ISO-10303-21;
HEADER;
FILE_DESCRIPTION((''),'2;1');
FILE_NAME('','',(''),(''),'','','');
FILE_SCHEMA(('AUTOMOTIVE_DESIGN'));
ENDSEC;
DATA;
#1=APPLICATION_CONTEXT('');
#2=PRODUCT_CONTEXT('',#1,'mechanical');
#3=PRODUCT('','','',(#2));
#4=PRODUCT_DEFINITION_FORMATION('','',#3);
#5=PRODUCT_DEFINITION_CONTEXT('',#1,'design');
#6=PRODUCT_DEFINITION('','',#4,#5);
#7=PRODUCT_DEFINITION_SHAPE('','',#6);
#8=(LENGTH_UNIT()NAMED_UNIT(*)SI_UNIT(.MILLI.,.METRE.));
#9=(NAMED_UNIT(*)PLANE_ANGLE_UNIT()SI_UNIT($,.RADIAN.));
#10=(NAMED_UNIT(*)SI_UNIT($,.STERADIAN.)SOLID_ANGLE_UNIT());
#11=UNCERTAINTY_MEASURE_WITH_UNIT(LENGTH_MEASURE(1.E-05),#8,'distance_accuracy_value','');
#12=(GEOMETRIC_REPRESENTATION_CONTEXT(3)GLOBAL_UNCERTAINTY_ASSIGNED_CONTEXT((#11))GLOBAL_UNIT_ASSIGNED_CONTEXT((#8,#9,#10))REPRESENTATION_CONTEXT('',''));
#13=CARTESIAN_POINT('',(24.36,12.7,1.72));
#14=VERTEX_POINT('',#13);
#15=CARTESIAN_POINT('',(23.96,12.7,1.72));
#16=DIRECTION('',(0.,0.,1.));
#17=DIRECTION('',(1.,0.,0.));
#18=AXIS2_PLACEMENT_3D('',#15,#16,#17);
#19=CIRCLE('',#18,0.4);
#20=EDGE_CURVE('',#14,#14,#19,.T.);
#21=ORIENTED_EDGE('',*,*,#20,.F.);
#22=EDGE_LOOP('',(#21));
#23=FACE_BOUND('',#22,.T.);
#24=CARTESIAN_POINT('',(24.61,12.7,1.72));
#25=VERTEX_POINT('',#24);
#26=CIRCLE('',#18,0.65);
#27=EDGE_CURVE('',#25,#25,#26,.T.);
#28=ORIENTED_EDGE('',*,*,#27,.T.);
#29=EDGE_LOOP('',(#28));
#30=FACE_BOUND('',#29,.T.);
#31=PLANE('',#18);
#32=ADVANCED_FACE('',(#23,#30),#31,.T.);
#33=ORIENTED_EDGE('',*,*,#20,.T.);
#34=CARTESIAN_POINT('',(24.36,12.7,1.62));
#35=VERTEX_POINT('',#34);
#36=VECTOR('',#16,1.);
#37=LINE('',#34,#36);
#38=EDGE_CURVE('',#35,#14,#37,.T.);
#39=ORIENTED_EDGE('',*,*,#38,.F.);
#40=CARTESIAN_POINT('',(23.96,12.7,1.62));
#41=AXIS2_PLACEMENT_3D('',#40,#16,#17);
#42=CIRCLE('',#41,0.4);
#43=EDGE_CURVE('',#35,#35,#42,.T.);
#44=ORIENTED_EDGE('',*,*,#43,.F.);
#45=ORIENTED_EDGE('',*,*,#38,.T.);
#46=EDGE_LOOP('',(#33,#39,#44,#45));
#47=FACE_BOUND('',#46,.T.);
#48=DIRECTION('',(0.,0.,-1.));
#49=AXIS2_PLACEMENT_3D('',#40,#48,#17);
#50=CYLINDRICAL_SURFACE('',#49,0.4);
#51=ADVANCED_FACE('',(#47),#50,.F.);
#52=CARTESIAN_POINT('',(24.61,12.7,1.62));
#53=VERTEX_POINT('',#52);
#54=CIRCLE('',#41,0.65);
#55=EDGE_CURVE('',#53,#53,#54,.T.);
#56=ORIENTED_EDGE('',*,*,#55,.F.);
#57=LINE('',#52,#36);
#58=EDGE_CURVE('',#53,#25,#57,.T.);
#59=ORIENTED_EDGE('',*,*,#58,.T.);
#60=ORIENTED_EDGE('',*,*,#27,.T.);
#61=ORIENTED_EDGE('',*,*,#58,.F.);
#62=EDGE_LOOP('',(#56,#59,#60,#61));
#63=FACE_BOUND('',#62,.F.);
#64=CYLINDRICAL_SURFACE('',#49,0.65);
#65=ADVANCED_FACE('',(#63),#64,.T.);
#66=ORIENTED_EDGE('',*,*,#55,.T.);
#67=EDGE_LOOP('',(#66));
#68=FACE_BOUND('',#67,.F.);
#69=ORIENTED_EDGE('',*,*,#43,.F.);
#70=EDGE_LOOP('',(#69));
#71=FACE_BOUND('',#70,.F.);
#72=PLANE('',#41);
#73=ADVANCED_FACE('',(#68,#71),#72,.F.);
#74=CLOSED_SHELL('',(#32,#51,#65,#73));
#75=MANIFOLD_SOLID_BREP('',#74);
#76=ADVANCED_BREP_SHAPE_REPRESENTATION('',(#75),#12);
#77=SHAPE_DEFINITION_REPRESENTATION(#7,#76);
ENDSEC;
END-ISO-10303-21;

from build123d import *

# Parameters (mm, degrees)
CYLINDER007_R     = 0.4
CYLINDER007_DEPTH = 0.1
CYLINDER006_R     = 0.65
CYLINDER006_DEPTH = 0.1


with BuildPart() as cylinder007:
    # Cylinder007 → Cylinder007 (new body)
    with BuildSketch(Plane.XY.offset(1.62)):
        Circle(CYLINDER007_R)
    extrude(amount=CYLINDER007_DEPTH)


with BuildPart() as cut014:
    # Cylinder006 → Cylinder006 (new body)
    with BuildSketch(Plane.XY.offset(1.62)):
        Circle(CYLINDER006_R)
    extrude(amount=CYLINDER006_DEPTH)

    # Cut014: cut Cylinder007
    add(cylinder007.part, mode=Mode.SUBTRACT)


with BuildPart() as cut014_1:
    # Cut014 placement: moved
    add(cut014.part.moved(Location((23.96, 12.7, 0))))


solid = cut014_1.part
